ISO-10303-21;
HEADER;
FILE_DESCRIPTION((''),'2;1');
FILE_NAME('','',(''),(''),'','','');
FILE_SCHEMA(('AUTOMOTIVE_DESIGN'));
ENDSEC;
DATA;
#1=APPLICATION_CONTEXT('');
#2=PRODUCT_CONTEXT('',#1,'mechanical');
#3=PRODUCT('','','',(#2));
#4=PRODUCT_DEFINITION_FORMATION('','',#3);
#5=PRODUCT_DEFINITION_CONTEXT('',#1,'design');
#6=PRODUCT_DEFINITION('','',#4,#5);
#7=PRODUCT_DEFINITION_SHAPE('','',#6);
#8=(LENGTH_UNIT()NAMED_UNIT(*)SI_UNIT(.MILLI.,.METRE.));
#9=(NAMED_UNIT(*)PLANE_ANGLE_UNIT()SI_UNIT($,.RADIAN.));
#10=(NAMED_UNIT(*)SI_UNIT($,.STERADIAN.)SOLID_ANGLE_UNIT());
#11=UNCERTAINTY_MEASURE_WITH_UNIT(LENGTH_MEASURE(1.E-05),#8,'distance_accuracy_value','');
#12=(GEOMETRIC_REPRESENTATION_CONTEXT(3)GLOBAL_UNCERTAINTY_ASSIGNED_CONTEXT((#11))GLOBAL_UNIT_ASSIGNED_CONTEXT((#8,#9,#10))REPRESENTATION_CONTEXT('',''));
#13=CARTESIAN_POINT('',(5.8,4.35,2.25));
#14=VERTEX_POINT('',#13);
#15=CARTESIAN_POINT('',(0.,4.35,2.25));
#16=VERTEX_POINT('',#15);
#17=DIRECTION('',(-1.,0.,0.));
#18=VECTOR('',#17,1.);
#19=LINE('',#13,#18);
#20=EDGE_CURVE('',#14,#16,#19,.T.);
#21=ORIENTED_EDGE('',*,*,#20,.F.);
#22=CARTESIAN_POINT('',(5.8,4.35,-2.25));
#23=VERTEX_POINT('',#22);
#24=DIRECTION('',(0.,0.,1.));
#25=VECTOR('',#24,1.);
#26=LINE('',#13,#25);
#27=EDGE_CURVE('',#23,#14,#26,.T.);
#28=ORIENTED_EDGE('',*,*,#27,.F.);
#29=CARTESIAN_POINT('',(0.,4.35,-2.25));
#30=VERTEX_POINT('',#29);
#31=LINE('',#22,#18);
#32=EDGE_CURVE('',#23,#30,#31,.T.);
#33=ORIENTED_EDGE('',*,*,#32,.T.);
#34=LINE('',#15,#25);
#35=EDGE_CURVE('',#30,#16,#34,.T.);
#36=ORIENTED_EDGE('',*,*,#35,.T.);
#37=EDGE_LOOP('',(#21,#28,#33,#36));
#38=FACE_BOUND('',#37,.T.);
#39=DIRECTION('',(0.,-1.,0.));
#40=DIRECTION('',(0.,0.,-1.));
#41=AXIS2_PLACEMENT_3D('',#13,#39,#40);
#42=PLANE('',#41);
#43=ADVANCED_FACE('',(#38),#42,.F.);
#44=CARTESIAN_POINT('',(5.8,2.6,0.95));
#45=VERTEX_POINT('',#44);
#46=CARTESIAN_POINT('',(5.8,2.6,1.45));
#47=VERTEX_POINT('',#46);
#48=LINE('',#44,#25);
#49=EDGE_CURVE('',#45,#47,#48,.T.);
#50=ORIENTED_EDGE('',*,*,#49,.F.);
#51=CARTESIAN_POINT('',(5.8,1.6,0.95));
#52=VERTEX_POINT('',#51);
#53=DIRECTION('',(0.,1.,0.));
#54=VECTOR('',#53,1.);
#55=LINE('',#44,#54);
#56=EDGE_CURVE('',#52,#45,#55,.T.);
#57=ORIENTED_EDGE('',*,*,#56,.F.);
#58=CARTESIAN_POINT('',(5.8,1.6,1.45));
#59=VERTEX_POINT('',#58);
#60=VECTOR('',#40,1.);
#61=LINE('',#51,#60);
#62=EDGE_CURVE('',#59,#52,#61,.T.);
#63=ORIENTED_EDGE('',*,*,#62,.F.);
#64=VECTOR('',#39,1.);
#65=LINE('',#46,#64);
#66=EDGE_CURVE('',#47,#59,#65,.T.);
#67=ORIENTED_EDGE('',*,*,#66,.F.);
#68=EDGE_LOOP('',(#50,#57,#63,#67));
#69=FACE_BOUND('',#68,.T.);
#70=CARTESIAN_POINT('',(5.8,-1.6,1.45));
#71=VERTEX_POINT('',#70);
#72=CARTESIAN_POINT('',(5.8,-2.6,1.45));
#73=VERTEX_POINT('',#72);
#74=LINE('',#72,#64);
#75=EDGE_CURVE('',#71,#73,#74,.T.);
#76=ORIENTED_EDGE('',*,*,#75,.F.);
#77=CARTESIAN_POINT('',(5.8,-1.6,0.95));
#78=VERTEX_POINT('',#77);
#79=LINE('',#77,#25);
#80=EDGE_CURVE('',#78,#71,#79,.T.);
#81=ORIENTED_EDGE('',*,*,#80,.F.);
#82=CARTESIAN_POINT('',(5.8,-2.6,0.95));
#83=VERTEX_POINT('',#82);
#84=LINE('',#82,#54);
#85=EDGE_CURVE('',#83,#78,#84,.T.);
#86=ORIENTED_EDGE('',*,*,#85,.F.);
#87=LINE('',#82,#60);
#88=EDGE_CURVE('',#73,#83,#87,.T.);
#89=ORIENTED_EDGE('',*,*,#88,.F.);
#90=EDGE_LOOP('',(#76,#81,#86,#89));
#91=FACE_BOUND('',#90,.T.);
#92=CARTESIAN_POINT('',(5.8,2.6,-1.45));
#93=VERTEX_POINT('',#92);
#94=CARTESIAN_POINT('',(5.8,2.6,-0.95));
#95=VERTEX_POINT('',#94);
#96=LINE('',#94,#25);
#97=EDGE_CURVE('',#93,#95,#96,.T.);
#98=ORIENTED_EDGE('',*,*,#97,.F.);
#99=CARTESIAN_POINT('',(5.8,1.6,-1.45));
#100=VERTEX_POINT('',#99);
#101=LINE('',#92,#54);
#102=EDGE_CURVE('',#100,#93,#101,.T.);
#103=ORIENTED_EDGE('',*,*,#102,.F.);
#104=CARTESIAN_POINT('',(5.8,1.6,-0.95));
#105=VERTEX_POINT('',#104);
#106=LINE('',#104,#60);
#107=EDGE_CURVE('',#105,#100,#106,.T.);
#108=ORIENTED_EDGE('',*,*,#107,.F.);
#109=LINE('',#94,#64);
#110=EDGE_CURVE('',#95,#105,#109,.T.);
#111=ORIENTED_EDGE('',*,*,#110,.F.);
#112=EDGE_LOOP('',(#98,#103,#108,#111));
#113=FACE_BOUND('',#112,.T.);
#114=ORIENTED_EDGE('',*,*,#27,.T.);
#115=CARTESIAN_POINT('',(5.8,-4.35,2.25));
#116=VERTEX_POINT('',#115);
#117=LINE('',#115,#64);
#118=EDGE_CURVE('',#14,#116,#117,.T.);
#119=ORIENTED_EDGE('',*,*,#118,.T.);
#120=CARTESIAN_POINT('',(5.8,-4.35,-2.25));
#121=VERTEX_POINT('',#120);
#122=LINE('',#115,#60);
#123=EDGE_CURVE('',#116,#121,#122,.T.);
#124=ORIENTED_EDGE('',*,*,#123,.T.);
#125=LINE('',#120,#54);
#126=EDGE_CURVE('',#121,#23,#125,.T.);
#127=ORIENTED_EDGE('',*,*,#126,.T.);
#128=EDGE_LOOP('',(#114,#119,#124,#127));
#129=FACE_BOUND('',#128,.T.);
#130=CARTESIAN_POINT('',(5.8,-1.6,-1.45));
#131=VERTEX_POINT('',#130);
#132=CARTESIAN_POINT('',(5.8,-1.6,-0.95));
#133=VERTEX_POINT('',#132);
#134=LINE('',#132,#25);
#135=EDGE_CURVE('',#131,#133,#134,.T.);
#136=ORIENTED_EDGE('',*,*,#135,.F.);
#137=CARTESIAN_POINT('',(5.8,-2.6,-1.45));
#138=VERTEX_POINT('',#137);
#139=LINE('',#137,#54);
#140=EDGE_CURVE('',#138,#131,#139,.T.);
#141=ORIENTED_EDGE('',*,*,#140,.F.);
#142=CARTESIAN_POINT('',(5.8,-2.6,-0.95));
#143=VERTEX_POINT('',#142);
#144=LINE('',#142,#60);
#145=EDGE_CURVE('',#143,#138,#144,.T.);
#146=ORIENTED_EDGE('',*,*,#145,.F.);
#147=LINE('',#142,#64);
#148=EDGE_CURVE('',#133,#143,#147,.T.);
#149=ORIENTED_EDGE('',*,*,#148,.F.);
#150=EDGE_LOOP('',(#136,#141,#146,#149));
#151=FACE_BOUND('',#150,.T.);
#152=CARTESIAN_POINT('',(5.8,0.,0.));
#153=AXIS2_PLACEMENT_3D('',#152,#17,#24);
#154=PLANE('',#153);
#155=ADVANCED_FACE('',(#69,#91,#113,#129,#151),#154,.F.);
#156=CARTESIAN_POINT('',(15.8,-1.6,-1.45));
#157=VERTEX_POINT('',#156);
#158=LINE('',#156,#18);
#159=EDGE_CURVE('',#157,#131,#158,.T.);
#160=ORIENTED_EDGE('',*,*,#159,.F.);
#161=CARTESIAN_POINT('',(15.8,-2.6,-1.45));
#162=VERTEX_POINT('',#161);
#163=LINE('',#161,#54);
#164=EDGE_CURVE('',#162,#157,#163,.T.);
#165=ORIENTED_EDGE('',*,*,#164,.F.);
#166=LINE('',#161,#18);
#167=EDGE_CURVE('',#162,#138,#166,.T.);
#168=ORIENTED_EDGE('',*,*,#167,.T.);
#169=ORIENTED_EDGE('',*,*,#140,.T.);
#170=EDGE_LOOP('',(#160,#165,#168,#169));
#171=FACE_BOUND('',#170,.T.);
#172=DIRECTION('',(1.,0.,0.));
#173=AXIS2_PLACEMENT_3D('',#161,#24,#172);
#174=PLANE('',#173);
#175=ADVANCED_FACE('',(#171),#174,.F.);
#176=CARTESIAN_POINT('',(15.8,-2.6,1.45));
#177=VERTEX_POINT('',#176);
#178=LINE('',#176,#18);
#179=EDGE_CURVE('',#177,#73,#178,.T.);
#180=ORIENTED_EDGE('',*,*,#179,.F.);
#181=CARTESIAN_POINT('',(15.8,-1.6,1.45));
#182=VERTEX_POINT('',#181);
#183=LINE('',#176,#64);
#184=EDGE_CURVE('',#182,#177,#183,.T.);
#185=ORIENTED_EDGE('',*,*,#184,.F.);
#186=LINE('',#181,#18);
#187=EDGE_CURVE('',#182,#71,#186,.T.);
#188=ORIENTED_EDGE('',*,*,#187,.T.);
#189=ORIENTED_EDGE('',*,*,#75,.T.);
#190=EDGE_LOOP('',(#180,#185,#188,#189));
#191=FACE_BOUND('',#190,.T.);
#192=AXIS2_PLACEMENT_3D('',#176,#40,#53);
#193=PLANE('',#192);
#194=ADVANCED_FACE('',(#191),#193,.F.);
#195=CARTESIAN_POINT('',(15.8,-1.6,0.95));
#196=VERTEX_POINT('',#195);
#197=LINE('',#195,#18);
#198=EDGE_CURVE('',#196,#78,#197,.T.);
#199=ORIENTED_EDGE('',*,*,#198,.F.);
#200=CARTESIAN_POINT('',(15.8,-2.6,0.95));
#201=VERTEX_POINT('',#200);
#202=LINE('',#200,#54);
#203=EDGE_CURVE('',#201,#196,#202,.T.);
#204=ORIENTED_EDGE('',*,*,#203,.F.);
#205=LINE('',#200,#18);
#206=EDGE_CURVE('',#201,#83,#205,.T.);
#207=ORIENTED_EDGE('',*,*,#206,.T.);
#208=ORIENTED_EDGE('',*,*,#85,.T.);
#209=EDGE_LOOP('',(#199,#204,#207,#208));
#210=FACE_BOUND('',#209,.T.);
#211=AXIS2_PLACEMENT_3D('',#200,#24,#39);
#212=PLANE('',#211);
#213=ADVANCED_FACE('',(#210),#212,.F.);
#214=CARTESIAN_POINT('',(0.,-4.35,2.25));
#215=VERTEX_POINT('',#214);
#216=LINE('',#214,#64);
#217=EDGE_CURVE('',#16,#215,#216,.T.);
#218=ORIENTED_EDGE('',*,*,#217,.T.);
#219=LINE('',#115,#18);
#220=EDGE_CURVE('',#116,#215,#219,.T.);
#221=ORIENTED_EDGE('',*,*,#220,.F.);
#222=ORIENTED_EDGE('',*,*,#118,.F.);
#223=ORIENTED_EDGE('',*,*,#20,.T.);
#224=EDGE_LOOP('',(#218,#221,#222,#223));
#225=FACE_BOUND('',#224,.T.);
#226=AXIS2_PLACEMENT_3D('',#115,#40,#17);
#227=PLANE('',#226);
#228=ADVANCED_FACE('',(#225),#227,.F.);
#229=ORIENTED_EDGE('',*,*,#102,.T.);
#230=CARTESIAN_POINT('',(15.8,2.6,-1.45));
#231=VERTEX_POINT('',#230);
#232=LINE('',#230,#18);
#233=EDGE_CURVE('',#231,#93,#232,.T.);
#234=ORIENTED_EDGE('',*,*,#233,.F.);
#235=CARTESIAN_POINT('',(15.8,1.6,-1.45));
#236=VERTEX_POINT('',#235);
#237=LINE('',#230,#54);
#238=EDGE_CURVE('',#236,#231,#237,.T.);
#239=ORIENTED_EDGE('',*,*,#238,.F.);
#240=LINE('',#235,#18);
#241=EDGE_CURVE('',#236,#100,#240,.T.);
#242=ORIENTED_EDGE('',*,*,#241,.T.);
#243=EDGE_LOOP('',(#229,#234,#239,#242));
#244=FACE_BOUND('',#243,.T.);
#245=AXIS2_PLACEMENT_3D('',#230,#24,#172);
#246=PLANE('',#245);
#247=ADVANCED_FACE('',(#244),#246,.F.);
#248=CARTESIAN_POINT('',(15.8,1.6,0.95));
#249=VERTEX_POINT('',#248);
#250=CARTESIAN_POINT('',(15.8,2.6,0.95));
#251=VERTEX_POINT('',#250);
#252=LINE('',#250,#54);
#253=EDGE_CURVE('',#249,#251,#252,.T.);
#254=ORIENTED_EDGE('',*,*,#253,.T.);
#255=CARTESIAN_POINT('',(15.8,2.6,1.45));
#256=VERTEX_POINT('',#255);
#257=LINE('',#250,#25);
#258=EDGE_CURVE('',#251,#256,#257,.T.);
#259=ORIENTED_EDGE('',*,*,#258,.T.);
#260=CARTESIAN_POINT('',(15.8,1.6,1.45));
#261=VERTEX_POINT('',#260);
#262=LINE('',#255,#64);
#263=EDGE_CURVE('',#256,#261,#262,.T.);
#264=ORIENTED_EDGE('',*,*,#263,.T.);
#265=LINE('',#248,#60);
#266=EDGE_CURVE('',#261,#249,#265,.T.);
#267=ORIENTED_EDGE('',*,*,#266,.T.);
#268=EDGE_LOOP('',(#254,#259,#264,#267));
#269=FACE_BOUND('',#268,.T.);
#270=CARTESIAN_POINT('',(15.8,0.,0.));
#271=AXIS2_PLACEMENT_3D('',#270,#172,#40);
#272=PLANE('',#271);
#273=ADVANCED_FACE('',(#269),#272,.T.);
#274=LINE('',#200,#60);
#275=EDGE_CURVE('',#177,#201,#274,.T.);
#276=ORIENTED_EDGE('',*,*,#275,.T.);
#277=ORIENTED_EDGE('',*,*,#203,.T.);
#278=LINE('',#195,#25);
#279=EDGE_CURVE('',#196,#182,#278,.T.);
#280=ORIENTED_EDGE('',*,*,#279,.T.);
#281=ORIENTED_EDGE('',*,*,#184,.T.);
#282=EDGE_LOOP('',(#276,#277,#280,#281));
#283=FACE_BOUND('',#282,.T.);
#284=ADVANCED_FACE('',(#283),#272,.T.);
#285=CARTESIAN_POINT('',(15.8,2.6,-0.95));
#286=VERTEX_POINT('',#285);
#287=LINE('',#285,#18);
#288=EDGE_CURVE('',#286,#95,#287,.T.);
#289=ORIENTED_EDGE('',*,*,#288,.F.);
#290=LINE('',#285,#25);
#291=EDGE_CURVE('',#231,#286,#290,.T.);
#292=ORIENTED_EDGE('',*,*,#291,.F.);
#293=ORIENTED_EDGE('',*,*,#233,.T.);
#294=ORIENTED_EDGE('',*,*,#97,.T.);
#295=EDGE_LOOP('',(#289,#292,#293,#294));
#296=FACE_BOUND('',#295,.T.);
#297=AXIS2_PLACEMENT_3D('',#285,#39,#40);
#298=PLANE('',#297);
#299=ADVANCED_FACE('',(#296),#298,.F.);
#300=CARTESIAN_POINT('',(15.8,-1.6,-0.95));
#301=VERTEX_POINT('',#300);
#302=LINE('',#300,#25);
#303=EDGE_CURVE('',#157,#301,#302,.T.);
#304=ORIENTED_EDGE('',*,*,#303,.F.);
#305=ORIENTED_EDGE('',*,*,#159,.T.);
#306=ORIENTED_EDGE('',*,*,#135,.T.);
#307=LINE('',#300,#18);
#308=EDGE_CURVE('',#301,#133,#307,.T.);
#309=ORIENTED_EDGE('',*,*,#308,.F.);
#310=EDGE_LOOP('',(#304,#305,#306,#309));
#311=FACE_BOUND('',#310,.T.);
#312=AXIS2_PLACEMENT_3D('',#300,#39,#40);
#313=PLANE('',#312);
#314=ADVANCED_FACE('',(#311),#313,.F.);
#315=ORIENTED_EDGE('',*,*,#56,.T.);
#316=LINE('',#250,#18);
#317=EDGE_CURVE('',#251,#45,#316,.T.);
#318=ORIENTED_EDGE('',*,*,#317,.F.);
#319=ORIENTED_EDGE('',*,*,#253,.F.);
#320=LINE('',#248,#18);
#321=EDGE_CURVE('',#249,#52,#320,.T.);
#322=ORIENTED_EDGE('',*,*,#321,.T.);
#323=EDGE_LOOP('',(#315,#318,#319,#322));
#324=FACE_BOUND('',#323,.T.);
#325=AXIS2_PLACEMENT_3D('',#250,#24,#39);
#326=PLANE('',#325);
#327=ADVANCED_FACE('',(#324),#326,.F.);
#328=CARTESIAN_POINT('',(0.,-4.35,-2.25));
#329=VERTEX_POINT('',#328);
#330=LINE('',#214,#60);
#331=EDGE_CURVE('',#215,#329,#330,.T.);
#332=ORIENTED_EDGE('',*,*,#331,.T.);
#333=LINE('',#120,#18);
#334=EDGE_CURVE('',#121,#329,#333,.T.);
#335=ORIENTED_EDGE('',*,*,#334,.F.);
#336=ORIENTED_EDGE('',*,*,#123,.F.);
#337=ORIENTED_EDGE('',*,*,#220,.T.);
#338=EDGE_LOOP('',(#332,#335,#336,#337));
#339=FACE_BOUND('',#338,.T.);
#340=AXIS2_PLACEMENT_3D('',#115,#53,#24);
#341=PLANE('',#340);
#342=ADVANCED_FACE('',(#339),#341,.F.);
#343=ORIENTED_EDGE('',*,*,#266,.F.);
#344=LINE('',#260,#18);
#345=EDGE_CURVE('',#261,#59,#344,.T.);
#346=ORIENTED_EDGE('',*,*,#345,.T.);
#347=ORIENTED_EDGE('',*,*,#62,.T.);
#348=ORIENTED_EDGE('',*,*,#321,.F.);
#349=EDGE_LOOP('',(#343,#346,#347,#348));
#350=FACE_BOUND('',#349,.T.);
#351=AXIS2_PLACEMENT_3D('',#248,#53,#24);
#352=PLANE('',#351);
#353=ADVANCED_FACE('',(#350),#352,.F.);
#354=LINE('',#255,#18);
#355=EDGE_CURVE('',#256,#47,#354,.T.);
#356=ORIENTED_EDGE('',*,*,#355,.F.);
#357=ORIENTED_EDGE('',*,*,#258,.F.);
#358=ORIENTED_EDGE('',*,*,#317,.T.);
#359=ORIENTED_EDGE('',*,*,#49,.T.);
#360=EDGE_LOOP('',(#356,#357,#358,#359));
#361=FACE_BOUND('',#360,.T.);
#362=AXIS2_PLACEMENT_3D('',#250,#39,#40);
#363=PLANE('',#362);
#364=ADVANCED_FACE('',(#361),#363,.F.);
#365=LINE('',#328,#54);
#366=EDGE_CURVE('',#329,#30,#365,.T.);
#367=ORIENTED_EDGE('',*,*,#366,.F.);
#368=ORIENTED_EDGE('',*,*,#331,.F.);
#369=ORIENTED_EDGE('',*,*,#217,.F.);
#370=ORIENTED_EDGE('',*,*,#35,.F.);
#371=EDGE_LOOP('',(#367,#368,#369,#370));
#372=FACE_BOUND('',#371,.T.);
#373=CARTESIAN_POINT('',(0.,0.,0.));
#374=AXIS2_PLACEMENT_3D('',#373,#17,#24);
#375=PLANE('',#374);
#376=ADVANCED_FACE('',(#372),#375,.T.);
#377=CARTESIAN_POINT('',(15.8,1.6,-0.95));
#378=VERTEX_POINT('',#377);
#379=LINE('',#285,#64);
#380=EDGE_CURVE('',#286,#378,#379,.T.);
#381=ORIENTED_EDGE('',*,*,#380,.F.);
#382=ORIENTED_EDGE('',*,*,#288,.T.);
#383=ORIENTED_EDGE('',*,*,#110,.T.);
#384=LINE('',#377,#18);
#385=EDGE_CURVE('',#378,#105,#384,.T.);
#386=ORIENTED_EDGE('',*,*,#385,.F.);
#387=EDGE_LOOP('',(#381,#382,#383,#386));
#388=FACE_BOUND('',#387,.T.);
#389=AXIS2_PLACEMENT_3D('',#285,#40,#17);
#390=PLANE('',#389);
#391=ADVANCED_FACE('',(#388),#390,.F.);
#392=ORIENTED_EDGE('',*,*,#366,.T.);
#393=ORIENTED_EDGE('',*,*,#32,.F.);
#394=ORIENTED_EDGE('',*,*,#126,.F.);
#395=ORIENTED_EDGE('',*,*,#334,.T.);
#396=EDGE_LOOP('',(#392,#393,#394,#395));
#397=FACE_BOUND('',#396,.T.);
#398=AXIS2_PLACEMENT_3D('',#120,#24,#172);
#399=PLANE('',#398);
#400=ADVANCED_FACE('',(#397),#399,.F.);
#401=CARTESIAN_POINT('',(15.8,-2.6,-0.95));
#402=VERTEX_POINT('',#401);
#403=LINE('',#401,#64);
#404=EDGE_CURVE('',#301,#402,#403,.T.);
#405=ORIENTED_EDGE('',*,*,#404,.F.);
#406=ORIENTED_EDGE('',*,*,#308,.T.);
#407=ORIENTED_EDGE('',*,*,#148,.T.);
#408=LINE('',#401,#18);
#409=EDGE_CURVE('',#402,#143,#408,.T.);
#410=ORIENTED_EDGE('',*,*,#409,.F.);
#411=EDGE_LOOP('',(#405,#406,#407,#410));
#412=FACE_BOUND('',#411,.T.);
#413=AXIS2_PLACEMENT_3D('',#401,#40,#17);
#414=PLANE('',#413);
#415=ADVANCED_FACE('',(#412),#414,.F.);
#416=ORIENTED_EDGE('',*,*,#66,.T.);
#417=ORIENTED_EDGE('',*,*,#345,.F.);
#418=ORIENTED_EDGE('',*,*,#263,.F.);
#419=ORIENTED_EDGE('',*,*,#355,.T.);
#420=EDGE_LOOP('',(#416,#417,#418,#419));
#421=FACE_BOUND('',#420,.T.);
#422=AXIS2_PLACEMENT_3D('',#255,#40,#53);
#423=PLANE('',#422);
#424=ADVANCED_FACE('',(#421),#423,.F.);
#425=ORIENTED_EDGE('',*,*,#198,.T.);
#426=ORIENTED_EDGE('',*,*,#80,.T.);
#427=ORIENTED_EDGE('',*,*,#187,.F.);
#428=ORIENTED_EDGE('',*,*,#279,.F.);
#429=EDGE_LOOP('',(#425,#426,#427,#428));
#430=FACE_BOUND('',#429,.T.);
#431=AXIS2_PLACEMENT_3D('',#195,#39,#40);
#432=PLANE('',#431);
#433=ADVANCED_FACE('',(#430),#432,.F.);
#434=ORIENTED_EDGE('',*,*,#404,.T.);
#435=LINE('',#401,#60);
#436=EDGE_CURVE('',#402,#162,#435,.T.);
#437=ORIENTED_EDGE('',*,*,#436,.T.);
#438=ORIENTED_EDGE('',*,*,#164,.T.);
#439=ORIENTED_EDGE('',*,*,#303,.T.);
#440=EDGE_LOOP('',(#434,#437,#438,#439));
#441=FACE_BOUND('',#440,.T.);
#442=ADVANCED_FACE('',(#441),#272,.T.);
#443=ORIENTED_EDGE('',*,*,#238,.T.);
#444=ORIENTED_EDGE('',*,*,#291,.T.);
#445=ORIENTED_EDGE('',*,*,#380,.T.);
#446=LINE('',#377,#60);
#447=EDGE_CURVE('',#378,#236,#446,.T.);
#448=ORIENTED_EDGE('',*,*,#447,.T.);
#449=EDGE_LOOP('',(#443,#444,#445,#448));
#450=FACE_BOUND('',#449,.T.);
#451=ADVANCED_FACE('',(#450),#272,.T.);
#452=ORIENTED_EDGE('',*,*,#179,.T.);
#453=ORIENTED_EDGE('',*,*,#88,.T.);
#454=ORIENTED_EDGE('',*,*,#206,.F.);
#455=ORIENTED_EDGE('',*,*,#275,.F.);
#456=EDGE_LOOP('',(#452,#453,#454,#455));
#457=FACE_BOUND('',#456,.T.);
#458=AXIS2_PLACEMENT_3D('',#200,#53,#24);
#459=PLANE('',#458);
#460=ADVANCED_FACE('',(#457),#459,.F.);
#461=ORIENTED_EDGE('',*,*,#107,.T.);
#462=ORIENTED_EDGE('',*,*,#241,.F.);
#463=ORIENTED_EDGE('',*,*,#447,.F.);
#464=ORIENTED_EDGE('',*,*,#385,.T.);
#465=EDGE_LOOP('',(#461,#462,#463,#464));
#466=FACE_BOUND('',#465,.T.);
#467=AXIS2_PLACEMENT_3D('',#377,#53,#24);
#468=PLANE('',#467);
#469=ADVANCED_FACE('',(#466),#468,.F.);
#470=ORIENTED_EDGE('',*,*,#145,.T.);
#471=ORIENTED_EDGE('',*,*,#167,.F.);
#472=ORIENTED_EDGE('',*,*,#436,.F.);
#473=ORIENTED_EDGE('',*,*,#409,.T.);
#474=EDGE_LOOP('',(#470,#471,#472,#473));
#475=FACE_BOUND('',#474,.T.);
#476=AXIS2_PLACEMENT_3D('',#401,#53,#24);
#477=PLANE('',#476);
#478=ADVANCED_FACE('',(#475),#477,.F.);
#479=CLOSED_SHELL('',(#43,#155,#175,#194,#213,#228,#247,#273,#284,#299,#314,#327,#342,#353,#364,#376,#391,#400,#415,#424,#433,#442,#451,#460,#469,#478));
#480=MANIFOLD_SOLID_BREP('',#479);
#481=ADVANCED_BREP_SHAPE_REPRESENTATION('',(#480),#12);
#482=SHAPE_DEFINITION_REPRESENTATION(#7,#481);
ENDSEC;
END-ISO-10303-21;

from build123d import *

# Parameters (mm, degrees)
SKETCH1_W           = 4.5
SKETCH1_H           = 8.7
BOSS_EXTRUDE1_DEPTH = 5.8
SKETCH2_W           = 0.5
SKETCH2_H           = 1
BOSS_EXTRUDE2_DEPTH = 10


with BuildPart() as part:
    # Sketch1 → Boss-Extrude1 (new body)
    with BuildSketch(Plane(origin=(0, 0, 0), x_dir=(0, 0, -1), z_dir=(1, 0, 0))):
        Rectangle(SKETCH1_W, SKETCH1_H)
    extrude(amount=BOSS_EXTRUDE1_DEPTH)

    # Sketch2 → Boss-Extrude2 (add)
    with BuildSketch(Plane(origin=(5.8, 0, 0), x_dir=(0, 0, -1), z_dir=(1, 0, 0))):
        with Locations((-1.2, -2.1)):
            Rectangle(SKETCH2_W, SKETCH2_H)
        with Locations((-1.2, 2.1)):
            Rectangle(SKETCH2_W, SKETCH2_H)
        with Locations((1.2, 2.1)):
            Rectangle(SKETCH2_W, SKETCH2_H)
        with Locations((1.2, -2.1)):
            Rectangle(SKETCH2_W, SKETCH2_H)
    extrude(amount=BOSS_EXTRUDE2_DEPTH)


solid = part.part
